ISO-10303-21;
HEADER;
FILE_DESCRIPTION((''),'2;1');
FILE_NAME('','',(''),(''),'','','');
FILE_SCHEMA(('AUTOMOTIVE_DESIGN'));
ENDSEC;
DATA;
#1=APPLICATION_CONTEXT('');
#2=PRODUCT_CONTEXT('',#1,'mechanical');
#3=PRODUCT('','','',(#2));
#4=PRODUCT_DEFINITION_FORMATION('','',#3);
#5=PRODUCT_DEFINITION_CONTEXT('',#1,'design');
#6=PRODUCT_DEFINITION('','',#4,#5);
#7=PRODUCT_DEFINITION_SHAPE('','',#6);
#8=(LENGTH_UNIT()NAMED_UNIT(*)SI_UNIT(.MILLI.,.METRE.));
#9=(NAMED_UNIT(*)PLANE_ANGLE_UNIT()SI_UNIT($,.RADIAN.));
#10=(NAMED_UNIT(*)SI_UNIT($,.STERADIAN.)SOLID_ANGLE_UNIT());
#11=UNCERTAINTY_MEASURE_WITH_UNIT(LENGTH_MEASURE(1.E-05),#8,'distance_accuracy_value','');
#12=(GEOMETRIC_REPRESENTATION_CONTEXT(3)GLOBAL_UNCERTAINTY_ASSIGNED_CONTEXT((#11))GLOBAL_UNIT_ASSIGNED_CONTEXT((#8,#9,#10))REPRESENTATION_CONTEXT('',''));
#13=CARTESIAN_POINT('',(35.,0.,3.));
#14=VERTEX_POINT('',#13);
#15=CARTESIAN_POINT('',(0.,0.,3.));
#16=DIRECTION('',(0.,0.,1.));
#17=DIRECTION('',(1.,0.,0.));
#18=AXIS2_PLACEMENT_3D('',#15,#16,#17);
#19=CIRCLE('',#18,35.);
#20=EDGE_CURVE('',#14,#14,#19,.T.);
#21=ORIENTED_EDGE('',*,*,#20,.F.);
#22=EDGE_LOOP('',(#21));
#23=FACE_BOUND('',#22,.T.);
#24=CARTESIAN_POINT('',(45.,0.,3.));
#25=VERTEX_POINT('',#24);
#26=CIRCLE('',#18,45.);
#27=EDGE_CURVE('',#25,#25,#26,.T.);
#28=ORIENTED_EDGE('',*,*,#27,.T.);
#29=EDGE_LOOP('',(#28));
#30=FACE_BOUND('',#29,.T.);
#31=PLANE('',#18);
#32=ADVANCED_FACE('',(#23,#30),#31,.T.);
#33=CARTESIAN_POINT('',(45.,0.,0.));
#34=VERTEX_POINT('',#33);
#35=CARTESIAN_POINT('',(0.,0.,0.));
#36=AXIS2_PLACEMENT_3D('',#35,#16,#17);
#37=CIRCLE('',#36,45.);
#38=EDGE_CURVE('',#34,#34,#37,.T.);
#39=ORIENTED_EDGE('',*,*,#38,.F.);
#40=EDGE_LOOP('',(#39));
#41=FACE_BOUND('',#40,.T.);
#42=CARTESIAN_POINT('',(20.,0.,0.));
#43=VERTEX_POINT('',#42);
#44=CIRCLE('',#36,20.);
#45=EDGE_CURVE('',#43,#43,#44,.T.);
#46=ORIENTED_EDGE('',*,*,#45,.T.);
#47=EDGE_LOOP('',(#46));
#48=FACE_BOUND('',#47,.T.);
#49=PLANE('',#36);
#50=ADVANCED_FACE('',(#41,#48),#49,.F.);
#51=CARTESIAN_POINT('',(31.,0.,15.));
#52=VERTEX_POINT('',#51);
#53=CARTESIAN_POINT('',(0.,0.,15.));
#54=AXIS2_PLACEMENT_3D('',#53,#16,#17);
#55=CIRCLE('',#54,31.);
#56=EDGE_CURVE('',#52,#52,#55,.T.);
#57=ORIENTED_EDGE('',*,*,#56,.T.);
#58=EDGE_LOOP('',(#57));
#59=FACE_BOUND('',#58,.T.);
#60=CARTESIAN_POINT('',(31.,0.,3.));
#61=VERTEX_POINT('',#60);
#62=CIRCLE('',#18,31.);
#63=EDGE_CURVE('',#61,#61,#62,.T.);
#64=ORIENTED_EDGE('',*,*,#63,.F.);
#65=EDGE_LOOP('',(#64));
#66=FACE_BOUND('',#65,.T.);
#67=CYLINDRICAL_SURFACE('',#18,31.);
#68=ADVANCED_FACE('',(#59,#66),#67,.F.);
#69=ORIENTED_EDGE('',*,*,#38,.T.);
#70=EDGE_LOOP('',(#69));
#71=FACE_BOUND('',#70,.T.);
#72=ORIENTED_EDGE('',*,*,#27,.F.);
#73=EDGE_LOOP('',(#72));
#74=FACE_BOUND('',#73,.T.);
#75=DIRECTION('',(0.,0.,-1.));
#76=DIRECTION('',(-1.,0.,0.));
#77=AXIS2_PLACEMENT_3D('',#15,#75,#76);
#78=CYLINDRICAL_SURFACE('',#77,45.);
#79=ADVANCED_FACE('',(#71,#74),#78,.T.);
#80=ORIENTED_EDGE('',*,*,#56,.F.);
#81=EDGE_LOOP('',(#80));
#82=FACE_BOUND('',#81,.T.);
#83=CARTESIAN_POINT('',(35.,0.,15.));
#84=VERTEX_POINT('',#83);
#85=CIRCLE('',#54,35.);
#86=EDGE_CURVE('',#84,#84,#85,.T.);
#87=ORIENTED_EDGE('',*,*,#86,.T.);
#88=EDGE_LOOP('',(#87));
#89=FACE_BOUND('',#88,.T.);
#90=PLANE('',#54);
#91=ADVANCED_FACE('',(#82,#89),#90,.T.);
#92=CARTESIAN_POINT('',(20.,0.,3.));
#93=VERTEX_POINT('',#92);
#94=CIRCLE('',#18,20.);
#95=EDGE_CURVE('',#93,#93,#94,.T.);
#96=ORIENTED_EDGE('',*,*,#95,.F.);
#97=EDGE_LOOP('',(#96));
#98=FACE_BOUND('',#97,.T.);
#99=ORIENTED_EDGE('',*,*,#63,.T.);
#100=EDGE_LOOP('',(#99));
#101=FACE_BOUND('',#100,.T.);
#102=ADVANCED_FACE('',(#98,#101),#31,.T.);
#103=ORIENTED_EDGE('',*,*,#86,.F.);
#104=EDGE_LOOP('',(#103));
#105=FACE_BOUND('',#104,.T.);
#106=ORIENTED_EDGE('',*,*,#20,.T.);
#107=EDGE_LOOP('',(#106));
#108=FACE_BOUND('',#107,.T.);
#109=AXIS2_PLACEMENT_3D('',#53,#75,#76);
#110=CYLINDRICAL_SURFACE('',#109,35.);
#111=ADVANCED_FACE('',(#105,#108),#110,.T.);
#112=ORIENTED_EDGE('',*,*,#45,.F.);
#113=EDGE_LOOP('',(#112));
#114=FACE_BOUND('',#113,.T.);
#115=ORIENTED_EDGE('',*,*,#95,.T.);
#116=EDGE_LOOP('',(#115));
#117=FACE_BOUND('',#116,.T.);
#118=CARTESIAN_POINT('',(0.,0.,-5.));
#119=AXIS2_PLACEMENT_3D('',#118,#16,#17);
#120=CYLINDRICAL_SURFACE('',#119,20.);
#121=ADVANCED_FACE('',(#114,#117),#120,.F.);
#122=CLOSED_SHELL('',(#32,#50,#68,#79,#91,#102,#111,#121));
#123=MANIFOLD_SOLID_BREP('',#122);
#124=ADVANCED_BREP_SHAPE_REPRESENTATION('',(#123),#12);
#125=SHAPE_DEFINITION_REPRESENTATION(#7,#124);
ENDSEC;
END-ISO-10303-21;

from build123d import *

# Parameters (mm, degrees)
SKETCH1_R           = 45
BOSS_EXTRUDE3_DEPTH = 3
SKETCH2_R           = 35
BOSS_EXTRUDE4_DEPTH = 12
SKETCH3_R           = 31
CUT_EXTRUDE2_DEPTH  = 12
SKETCH4_R           = 20
CUT_EXTRUDE3_DEPTH  = 8


with BuildPart() as part:
    # Sketch1 → Boss-Extrude3 (new body)
    with BuildSketch(Plane.XY):
        Circle(SKETCH1_R)
    extrude(amount=BOSS_EXTRUDE3_DEPTH)

    # Sketch2 → Boss-Extrude4 (add)
    with BuildSketch(Plane.XY.offset(3)):
        Circle(SKETCH2_R)
    extrude(amount=BOSS_EXTRUDE4_DEPTH)

    # Sketch3 → Cut-Extrude2 (cut)
    with BuildSketch(Plane.XY.offset(15)):
        Circle(SKETCH3_R)
    extrude(amount=-CUT_EXTRUDE2_DEPTH, mode=Mode.SUBTRACT)

    # Sketch4 → Cut-Extrude3 (cut)
    with BuildSketch(Plane.XY.offset(3)):
        Circle(SKETCH4_R)
    extrude(amount=-CUT_EXTRUDE3_DEPTH, mode=Mode.SUBTRACT)


solid = part.part
